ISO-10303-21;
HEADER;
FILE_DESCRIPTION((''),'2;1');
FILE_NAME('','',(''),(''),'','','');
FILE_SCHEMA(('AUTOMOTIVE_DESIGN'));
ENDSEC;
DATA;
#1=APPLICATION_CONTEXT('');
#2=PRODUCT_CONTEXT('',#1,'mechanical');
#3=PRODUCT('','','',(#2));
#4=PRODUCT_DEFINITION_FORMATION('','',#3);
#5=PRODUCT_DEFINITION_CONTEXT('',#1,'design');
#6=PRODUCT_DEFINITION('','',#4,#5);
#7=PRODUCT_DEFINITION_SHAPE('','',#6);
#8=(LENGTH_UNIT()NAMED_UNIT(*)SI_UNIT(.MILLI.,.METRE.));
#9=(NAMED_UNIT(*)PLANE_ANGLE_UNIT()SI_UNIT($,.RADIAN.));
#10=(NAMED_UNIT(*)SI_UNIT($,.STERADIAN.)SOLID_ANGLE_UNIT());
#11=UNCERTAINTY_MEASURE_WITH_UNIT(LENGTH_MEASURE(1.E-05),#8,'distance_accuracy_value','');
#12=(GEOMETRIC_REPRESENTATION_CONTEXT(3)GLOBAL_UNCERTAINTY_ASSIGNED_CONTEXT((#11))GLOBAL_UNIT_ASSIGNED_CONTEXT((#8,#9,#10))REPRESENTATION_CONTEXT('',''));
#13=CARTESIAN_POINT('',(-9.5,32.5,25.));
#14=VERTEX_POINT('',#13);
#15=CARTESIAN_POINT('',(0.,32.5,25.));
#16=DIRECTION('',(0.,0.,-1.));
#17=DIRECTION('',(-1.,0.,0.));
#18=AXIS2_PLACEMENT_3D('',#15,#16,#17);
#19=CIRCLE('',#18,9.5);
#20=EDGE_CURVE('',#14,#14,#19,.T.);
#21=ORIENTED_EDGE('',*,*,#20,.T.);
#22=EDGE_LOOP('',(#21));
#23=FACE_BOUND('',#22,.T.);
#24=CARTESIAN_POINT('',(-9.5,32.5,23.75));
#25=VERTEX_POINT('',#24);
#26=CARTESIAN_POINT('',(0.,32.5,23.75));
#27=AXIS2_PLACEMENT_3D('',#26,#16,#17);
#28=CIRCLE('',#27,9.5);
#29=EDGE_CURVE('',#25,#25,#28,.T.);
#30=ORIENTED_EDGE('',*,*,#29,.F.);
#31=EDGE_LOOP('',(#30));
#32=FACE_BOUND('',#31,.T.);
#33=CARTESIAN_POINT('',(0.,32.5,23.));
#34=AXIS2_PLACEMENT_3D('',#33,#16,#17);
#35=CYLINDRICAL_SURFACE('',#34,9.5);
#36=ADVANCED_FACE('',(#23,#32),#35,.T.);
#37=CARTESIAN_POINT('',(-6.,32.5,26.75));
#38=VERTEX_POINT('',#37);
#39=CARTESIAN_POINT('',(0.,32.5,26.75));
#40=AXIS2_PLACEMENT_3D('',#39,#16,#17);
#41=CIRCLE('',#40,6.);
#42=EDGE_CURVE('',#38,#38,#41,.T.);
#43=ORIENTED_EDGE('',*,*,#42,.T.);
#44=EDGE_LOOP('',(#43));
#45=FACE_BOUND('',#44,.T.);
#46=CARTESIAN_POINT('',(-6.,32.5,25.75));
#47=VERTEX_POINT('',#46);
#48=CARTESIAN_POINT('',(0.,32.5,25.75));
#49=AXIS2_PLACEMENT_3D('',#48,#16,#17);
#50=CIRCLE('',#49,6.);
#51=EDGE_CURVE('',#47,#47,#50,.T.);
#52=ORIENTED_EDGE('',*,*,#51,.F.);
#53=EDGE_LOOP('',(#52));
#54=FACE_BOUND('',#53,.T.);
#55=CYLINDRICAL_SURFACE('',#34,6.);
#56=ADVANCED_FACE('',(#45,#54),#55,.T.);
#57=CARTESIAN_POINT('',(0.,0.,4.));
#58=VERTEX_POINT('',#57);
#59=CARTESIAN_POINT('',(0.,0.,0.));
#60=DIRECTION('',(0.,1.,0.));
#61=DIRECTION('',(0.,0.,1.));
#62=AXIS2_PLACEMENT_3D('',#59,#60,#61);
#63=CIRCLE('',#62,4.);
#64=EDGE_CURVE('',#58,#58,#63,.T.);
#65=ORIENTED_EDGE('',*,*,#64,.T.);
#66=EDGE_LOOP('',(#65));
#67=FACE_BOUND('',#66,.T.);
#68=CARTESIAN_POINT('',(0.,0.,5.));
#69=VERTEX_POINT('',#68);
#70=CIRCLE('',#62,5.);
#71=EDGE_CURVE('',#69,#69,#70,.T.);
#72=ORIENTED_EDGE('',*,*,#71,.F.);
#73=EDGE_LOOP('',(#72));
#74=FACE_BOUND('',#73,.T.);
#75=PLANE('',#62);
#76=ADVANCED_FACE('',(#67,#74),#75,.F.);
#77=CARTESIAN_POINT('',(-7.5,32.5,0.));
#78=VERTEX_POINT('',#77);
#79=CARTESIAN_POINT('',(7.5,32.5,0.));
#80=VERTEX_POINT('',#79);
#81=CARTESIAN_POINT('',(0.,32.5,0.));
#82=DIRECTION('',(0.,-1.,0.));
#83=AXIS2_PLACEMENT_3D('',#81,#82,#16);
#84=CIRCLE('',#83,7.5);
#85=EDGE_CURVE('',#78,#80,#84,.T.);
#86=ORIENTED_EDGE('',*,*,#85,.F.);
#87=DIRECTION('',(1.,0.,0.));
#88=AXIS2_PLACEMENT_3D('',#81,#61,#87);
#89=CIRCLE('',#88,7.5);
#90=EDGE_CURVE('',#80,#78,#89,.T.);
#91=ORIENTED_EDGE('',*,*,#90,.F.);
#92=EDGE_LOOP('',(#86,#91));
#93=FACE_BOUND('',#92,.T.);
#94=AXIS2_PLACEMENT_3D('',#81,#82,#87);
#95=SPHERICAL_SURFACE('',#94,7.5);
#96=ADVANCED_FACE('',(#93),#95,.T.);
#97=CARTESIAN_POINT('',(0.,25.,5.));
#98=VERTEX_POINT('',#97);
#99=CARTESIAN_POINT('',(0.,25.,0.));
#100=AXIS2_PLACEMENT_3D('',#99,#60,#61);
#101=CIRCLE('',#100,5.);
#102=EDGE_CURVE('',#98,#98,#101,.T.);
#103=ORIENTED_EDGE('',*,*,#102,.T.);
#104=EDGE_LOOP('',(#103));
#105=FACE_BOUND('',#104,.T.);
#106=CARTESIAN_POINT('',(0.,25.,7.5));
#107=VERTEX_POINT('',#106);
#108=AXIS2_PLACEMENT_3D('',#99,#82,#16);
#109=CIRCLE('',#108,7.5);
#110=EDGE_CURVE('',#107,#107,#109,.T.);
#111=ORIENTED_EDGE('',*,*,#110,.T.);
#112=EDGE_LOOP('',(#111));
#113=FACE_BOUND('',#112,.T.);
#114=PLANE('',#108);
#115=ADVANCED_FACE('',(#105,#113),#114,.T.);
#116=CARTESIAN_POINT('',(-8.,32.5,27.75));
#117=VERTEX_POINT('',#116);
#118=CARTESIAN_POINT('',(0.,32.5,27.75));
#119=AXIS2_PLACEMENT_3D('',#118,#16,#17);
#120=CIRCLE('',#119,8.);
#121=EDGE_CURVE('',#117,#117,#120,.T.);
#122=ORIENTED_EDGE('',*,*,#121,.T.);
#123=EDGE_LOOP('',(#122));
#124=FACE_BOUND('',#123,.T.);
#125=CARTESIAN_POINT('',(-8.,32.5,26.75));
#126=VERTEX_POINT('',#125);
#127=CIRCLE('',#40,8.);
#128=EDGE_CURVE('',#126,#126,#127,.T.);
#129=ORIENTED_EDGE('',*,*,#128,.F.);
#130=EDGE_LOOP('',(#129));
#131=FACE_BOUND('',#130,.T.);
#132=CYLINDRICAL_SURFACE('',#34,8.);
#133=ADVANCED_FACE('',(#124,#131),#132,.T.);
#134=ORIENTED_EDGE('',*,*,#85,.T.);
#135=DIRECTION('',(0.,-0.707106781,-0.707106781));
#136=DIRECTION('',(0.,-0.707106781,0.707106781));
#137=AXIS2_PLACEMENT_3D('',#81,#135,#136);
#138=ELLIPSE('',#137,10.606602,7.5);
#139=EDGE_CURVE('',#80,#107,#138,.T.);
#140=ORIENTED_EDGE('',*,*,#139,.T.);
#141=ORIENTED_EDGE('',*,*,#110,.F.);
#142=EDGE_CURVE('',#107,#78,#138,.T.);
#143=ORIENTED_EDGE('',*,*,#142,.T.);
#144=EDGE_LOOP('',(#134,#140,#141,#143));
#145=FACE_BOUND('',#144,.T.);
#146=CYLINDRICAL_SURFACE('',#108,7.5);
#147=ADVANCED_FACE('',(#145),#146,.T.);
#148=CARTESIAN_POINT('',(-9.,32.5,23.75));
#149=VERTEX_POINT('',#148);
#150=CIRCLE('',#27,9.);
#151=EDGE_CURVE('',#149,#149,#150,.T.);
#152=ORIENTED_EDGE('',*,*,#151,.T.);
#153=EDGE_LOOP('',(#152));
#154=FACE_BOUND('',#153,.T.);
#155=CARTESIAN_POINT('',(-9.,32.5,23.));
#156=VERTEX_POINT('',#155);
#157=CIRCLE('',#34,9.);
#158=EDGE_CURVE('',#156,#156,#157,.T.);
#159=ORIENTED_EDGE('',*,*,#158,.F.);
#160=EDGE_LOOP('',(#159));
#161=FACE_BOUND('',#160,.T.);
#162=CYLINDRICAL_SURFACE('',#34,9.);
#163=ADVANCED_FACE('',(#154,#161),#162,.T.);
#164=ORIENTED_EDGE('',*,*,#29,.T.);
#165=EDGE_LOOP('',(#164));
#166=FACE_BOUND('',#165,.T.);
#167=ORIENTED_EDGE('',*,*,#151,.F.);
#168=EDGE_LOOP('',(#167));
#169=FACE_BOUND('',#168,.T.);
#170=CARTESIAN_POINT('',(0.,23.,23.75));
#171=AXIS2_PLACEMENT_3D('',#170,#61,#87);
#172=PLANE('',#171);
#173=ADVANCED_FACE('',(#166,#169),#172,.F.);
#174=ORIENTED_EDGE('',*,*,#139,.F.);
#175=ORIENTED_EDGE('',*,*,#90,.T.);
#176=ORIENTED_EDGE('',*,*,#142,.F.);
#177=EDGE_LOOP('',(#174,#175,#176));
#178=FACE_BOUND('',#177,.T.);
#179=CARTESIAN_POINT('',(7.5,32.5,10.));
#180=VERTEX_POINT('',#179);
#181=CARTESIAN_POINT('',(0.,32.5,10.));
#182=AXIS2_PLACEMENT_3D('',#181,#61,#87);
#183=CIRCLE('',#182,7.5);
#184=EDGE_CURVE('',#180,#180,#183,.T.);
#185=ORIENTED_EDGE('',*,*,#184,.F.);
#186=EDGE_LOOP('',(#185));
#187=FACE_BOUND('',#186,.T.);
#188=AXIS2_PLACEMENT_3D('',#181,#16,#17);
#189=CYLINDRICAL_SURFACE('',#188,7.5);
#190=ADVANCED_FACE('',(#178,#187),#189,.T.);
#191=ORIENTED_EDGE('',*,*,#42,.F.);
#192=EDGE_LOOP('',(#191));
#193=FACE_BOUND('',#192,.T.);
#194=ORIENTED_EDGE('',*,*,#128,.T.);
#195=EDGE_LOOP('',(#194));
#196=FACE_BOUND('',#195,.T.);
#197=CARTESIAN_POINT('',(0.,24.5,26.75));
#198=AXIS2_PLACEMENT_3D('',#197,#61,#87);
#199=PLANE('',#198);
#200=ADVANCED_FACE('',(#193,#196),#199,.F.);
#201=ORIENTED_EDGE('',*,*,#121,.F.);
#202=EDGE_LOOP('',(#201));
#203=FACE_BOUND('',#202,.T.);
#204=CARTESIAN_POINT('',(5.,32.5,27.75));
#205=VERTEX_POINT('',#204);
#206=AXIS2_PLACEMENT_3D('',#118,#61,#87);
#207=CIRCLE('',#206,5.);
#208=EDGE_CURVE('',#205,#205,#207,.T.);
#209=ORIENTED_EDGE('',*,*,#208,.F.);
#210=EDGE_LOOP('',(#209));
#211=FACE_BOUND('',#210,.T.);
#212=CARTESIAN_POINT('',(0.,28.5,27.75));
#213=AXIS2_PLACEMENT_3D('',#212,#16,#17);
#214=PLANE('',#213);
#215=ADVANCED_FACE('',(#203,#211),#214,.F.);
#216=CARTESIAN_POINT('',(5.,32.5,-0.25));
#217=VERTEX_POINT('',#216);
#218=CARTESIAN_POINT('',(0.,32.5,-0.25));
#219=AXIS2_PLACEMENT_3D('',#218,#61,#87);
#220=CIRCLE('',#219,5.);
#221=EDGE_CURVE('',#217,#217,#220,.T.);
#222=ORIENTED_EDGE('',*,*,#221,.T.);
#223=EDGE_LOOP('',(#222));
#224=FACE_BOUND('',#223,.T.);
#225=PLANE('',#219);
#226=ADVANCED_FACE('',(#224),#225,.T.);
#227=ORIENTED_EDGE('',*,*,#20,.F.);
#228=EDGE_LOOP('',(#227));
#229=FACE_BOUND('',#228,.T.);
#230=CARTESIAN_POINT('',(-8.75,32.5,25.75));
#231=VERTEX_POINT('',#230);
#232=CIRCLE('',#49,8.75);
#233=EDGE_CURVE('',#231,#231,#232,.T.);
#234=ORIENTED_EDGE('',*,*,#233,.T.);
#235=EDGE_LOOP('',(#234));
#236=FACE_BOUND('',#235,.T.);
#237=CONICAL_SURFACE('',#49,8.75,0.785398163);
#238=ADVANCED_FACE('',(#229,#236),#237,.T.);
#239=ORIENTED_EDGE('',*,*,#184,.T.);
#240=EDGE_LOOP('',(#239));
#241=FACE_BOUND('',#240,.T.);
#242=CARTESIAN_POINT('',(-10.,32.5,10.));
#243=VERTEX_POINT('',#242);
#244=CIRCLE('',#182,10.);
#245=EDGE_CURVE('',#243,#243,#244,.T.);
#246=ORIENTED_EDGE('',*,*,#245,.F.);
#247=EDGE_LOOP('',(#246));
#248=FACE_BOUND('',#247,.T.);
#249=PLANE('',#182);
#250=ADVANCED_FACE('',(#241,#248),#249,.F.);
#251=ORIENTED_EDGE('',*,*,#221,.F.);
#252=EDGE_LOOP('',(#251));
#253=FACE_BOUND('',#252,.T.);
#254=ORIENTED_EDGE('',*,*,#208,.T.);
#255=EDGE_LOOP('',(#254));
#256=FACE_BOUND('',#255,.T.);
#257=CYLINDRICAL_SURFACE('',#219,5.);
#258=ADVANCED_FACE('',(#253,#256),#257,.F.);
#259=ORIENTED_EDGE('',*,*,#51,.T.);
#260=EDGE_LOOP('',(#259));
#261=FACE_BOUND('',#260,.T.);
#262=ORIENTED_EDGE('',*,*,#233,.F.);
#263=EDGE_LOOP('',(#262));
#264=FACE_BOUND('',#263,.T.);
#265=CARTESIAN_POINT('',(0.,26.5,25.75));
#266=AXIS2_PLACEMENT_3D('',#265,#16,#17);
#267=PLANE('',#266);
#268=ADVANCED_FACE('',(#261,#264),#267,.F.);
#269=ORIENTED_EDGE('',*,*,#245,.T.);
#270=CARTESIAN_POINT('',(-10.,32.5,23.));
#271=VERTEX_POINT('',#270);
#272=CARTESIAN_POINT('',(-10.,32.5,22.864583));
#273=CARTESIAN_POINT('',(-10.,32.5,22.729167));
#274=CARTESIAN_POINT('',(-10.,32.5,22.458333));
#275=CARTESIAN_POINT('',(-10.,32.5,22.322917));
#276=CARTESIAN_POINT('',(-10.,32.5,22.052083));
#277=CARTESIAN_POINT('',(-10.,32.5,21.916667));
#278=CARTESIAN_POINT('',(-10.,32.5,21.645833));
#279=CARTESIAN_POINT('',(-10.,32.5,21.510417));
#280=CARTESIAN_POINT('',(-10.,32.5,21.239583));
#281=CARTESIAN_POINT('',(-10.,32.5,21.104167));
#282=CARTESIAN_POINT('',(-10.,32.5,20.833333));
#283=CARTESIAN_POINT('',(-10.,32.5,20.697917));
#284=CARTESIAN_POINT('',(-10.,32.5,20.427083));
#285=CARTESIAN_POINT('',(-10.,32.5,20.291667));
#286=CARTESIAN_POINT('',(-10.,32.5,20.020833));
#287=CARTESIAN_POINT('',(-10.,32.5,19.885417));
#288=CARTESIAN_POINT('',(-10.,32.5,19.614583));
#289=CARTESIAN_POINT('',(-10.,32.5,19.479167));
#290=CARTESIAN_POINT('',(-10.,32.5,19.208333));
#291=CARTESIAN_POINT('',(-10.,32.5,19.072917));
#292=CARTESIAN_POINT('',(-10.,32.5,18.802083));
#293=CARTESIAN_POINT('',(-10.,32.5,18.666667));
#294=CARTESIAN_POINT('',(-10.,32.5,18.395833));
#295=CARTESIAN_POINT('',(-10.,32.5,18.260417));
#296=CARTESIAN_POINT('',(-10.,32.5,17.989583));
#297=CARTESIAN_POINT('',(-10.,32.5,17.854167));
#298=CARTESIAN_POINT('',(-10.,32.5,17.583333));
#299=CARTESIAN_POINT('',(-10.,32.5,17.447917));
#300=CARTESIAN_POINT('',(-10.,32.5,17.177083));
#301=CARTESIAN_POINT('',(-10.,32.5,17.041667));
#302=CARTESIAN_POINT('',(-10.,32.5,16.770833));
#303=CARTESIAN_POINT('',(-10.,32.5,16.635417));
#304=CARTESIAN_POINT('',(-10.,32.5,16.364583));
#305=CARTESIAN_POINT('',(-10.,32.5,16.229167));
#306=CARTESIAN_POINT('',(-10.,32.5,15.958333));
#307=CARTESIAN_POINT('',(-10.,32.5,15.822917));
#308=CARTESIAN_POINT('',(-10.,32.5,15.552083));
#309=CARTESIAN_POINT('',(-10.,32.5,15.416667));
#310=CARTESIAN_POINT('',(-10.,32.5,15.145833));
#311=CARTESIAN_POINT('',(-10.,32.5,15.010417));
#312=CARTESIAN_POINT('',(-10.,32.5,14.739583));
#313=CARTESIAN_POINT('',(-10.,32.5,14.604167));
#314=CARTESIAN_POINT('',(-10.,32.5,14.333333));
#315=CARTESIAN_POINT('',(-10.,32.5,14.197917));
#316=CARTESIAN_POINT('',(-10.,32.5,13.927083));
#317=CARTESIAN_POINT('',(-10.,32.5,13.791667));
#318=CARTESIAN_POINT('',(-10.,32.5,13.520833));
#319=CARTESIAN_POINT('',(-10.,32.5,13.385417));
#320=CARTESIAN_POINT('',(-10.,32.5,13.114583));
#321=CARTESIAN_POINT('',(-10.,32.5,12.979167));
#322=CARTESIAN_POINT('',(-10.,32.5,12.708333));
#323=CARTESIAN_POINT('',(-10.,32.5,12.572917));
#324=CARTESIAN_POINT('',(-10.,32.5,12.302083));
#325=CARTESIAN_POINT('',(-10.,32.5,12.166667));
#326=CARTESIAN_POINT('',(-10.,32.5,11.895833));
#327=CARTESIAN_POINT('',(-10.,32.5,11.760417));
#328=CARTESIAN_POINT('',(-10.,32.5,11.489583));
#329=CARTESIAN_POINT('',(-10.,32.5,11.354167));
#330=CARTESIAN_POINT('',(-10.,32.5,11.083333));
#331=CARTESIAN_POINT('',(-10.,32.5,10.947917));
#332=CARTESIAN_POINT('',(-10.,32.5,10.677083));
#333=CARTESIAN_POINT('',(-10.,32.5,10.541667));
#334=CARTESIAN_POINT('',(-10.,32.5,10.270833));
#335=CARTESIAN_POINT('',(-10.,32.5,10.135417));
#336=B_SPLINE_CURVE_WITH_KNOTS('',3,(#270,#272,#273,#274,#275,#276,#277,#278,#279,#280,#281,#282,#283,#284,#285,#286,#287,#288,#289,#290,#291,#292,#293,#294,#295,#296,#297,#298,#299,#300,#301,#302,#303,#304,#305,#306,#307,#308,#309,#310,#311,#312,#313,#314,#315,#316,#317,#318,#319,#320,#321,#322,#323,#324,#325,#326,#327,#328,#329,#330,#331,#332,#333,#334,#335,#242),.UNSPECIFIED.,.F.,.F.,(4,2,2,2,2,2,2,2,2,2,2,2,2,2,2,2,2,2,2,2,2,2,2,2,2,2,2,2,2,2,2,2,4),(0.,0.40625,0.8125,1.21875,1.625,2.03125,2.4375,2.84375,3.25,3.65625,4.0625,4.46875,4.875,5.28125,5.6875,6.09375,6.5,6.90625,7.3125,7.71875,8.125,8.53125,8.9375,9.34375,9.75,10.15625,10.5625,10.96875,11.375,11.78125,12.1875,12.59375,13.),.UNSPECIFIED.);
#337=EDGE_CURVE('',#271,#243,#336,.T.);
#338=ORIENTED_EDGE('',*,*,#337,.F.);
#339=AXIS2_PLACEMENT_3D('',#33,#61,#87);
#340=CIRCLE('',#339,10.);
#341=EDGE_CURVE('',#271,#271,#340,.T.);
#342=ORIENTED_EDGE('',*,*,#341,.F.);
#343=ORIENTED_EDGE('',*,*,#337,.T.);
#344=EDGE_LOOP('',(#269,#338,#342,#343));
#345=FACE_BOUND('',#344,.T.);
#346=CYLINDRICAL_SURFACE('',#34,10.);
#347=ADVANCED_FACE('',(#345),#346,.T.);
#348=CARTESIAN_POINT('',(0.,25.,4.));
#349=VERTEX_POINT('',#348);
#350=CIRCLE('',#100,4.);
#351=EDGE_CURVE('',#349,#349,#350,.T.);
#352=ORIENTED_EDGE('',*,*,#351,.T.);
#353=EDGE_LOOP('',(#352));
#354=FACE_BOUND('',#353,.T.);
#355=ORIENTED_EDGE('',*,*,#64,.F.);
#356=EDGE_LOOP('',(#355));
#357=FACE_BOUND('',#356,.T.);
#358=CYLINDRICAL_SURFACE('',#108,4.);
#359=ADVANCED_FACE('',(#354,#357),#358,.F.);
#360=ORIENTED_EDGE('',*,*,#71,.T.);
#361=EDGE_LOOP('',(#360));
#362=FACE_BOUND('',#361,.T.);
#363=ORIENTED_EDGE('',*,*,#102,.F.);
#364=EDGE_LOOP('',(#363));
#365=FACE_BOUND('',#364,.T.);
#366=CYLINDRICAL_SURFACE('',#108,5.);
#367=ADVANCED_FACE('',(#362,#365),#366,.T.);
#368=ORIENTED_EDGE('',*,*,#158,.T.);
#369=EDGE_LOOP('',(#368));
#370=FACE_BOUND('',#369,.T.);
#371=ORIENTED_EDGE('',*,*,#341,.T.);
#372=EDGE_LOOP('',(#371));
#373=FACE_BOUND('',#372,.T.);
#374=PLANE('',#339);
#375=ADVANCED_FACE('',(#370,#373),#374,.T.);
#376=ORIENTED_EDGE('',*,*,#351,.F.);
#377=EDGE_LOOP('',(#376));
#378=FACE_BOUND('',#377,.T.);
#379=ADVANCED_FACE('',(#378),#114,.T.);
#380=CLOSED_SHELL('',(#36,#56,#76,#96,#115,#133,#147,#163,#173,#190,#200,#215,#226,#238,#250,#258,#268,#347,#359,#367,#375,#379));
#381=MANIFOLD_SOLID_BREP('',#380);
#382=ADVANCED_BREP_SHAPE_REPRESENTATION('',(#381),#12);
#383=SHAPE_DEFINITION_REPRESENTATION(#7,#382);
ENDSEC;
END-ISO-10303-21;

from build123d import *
from build123d.topology import SkipClean

# Parameters (mm, degrees)
SKETCH_1_R          = 5
SKETCH_1_R_2        = 4
EXTRUDE_1_DEPTH     = 25
SKETCH_3_R          = 7.5
EXTRUDE_2_DEPTH     = 10
SKETCH_4_R          = 10
EXTRUDE_3_DEPTH     = 13
SKETCH_6_R          = 5
CUT_EXTRUDE_1_DEPTH = 28


with BuildPart() as part:
    # Эскиз1 → Бобышка-Вытянуть1 (new body)
    with BuildSketch(Plane(origin=(0, 0, 0), x_dir=(1, 0, 0), z_dir=(0, 1, 0))):
        with Locations(Location((0, 0, 0), (0, 0, 270))):
            Circle(SKETCH_1_R)
        with Locations(Location((0, 0, 0), (0, 0, 270))):
            Circle(SKETCH_1_R_2, mode=Mode.SUBTRACT)
    extrude(amount=EXTRUDE_1_DEPTH)

    # Эскиз2 → Повернуть1 (revolve)
    with BuildSketch(Plane.XY, mode=Mode.PRIVATE) as revolve_1_sk:
        with BuildLine():
            Line((0, 25), (0, 40))
            ThreePointArc((0, 40), (5.303300859, 37.803300859), (7.5, 32.5))
            Line((7.5, 32.5), (7.5, 25))
            Line((7.5, 25), (0, 25))
        make_face()
    revolve(revolve_1_sk.sketch.rotate(Axis((0, 25, 0), (0, 1, 0)), 90), axis=Axis((0, 25, 0), (0, 1, 0)))

    # Эскиз3 → Бобышка-Вытянуть2 (add)
    with SkipClean():  # the faces are left unmerged after this step: merging them gives an invalid solid
        with BuildSketch(Plane.XY):
            with Locations((0, 32.5)):
                Circle(SKETCH_3_R)
        extrude(amount=EXTRUDE_2_DEPTH)

    # Эскиз4 → Бобышка-Вытянуть3 (add)
    with SkipClean():  # the faces are left unmerged after this step: merging them gives an invalid solid
        with BuildSketch(Plane.XY.offset(10)):
            with Locations(Location((0, 32.5, 0), (0, 0, 180))):
                Circle(SKETCH_4_R)
        extrude(amount=EXTRUDE_3_DEPTH)

    # Эскиз5 → Повернуть3 (revolve)
    with SkipClean():  # the faces are left unmerged after this step: merging them gives an invalid solid
        with BuildSketch(Plane(origin=(0, 0, 0), x_dir=(0, 0, -1), z_dir=(1, 0, 0)), mode=Mode.PRIVATE) as revolve_3_sk:
            Polygon((-26.75, 24.5), (-26.75, 26.5), (-25.75, 26.5), (-25.75, 23.75), (-25, 23), (-23.75, 23), (-23.75, 23.5), (-23, 23.5), (-23, 28.5), (-27.75, 28.5), (-27.75, 24.5), align=None)
        revolve(revolve_3_sk.sketch.rotate(Axis((0, 32.5, 23), (0, 0, 1)), 270), axis=Axis((0, 32.5, 23), (0, 0, 1)))

    # Эскиз6 → Вырез-Вытянуть1 (cut)
    with SkipClean():  # the faces are left unmerged after this step: merging them gives an invalid solid
        with BuildSketch(Plane.XY.offset(27.75)):
            with Locations((0, 32.5)):
                Circle(SKETCH_6_R)
        extrude(amount=-CUT_EXTRUDE_1_DEPTH, mode=Mode.SUBTRACT)


solid = part.part
